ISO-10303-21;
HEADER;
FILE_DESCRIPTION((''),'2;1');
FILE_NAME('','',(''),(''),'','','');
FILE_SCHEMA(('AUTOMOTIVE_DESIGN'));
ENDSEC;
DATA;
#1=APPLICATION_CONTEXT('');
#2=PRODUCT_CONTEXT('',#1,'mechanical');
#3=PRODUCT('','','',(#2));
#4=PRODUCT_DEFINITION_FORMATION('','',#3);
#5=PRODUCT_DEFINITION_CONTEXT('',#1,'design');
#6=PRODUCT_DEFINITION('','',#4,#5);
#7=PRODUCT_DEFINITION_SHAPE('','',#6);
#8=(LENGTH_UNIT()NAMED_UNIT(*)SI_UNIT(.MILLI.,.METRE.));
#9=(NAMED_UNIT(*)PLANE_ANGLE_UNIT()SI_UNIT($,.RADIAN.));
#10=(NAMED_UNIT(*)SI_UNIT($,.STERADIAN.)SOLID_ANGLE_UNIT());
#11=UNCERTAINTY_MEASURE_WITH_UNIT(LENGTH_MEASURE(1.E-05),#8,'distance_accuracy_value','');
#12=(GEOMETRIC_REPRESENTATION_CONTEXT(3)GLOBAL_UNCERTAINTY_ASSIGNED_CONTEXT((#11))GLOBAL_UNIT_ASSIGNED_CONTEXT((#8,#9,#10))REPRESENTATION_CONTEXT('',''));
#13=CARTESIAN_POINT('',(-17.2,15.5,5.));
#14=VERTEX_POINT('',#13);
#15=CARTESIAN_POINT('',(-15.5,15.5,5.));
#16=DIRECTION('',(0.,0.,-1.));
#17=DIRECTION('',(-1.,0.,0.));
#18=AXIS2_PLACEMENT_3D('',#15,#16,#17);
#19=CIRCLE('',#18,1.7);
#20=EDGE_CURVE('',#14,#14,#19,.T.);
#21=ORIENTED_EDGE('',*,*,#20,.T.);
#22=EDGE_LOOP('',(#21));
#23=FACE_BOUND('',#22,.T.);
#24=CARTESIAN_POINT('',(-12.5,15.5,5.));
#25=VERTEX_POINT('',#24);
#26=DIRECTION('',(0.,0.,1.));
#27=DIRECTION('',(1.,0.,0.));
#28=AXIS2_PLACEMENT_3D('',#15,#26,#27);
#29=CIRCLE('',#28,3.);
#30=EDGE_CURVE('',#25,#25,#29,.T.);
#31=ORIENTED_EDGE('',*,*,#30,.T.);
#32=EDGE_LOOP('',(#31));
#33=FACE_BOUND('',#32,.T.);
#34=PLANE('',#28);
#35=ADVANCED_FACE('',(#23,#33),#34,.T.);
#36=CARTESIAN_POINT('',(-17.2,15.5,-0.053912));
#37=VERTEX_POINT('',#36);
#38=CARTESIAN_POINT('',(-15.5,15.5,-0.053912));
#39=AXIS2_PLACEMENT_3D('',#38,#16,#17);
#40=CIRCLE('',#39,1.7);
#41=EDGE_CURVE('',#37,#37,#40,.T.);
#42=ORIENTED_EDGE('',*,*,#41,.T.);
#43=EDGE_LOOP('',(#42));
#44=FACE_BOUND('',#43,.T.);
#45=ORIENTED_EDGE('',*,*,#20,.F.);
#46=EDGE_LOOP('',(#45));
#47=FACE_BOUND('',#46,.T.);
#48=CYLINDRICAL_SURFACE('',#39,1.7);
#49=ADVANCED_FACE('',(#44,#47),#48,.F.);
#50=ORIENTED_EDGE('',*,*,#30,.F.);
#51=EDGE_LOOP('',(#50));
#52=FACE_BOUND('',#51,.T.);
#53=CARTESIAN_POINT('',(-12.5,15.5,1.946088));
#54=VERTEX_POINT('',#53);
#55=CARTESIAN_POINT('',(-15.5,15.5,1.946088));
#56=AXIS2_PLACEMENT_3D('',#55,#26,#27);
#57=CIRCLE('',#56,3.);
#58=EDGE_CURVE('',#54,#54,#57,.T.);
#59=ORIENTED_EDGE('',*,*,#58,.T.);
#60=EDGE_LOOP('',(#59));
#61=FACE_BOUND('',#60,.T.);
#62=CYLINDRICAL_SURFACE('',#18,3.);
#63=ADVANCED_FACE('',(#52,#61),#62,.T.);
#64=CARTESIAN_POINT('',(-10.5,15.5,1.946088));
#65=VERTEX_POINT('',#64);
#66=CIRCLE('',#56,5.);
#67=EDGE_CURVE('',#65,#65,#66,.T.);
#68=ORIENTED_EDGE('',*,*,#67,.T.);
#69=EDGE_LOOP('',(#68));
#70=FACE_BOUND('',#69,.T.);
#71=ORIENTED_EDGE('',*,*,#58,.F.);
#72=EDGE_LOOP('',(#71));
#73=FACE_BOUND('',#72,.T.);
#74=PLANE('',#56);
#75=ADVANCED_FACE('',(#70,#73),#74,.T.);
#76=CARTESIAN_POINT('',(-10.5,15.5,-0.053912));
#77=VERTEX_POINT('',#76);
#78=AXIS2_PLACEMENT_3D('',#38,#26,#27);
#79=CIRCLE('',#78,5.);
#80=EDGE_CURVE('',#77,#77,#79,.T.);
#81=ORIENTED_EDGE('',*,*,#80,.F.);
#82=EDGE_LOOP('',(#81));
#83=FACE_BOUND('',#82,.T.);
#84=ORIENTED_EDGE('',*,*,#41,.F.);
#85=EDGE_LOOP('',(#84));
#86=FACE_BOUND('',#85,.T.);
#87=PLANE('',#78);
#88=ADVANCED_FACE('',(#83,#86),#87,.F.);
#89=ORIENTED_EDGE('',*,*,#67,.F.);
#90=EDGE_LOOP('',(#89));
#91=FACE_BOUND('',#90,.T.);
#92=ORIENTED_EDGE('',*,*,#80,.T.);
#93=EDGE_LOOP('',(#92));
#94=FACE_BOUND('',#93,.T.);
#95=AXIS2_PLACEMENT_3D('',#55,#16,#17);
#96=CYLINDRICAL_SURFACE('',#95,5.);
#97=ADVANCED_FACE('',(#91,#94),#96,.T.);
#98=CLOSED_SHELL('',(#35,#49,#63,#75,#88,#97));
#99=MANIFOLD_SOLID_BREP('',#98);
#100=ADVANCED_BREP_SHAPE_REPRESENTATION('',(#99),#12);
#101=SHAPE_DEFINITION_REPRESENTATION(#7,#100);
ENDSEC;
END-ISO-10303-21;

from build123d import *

# Parameters (mm, degrees)
SKETCH_1_R        = 3
EXTRUDE_2_DEPTH   = 5
SKETCH_3_R        = 5
EXTRUDE_3_DEPTH   = 2
HOLE_WIZARD_M31_D = 3.4


with BuildPart() as part:
    # Эскиз1 → Бобышка-Вытянуть2 (new body)
    with BuildSketch(Plane.XY):
        with Locations((-15.5, 15.5)):
            Circle(SKETCH_1_R)
    extrude(amount=EXTRUDE_2_DEPTH)

    # Эскиз3 → Бобышка-Вытянуть3 (add)
    with BuildSketch(Plane.XY.offset(-0.053912026)):
        with Locations((-15.5, 15.5)):
            Circle(SKETCH_3_R)
    extrude(amount=EXTRUDE_3_DEPTH)

    # Отверстие с зазором M31 (through all)
    with Locations(Plane(origin=(-3.782161831, -3.025449216, -0.053912026), x_dir=(-0.9755899156330161, 0.2196003563639286, 0), z_dir=(0, 0, -1))):
        with Locations((15.5, 15.5)):
            Hole(HOLE_WIZARD_M31_D / 2)


solid = part.part
